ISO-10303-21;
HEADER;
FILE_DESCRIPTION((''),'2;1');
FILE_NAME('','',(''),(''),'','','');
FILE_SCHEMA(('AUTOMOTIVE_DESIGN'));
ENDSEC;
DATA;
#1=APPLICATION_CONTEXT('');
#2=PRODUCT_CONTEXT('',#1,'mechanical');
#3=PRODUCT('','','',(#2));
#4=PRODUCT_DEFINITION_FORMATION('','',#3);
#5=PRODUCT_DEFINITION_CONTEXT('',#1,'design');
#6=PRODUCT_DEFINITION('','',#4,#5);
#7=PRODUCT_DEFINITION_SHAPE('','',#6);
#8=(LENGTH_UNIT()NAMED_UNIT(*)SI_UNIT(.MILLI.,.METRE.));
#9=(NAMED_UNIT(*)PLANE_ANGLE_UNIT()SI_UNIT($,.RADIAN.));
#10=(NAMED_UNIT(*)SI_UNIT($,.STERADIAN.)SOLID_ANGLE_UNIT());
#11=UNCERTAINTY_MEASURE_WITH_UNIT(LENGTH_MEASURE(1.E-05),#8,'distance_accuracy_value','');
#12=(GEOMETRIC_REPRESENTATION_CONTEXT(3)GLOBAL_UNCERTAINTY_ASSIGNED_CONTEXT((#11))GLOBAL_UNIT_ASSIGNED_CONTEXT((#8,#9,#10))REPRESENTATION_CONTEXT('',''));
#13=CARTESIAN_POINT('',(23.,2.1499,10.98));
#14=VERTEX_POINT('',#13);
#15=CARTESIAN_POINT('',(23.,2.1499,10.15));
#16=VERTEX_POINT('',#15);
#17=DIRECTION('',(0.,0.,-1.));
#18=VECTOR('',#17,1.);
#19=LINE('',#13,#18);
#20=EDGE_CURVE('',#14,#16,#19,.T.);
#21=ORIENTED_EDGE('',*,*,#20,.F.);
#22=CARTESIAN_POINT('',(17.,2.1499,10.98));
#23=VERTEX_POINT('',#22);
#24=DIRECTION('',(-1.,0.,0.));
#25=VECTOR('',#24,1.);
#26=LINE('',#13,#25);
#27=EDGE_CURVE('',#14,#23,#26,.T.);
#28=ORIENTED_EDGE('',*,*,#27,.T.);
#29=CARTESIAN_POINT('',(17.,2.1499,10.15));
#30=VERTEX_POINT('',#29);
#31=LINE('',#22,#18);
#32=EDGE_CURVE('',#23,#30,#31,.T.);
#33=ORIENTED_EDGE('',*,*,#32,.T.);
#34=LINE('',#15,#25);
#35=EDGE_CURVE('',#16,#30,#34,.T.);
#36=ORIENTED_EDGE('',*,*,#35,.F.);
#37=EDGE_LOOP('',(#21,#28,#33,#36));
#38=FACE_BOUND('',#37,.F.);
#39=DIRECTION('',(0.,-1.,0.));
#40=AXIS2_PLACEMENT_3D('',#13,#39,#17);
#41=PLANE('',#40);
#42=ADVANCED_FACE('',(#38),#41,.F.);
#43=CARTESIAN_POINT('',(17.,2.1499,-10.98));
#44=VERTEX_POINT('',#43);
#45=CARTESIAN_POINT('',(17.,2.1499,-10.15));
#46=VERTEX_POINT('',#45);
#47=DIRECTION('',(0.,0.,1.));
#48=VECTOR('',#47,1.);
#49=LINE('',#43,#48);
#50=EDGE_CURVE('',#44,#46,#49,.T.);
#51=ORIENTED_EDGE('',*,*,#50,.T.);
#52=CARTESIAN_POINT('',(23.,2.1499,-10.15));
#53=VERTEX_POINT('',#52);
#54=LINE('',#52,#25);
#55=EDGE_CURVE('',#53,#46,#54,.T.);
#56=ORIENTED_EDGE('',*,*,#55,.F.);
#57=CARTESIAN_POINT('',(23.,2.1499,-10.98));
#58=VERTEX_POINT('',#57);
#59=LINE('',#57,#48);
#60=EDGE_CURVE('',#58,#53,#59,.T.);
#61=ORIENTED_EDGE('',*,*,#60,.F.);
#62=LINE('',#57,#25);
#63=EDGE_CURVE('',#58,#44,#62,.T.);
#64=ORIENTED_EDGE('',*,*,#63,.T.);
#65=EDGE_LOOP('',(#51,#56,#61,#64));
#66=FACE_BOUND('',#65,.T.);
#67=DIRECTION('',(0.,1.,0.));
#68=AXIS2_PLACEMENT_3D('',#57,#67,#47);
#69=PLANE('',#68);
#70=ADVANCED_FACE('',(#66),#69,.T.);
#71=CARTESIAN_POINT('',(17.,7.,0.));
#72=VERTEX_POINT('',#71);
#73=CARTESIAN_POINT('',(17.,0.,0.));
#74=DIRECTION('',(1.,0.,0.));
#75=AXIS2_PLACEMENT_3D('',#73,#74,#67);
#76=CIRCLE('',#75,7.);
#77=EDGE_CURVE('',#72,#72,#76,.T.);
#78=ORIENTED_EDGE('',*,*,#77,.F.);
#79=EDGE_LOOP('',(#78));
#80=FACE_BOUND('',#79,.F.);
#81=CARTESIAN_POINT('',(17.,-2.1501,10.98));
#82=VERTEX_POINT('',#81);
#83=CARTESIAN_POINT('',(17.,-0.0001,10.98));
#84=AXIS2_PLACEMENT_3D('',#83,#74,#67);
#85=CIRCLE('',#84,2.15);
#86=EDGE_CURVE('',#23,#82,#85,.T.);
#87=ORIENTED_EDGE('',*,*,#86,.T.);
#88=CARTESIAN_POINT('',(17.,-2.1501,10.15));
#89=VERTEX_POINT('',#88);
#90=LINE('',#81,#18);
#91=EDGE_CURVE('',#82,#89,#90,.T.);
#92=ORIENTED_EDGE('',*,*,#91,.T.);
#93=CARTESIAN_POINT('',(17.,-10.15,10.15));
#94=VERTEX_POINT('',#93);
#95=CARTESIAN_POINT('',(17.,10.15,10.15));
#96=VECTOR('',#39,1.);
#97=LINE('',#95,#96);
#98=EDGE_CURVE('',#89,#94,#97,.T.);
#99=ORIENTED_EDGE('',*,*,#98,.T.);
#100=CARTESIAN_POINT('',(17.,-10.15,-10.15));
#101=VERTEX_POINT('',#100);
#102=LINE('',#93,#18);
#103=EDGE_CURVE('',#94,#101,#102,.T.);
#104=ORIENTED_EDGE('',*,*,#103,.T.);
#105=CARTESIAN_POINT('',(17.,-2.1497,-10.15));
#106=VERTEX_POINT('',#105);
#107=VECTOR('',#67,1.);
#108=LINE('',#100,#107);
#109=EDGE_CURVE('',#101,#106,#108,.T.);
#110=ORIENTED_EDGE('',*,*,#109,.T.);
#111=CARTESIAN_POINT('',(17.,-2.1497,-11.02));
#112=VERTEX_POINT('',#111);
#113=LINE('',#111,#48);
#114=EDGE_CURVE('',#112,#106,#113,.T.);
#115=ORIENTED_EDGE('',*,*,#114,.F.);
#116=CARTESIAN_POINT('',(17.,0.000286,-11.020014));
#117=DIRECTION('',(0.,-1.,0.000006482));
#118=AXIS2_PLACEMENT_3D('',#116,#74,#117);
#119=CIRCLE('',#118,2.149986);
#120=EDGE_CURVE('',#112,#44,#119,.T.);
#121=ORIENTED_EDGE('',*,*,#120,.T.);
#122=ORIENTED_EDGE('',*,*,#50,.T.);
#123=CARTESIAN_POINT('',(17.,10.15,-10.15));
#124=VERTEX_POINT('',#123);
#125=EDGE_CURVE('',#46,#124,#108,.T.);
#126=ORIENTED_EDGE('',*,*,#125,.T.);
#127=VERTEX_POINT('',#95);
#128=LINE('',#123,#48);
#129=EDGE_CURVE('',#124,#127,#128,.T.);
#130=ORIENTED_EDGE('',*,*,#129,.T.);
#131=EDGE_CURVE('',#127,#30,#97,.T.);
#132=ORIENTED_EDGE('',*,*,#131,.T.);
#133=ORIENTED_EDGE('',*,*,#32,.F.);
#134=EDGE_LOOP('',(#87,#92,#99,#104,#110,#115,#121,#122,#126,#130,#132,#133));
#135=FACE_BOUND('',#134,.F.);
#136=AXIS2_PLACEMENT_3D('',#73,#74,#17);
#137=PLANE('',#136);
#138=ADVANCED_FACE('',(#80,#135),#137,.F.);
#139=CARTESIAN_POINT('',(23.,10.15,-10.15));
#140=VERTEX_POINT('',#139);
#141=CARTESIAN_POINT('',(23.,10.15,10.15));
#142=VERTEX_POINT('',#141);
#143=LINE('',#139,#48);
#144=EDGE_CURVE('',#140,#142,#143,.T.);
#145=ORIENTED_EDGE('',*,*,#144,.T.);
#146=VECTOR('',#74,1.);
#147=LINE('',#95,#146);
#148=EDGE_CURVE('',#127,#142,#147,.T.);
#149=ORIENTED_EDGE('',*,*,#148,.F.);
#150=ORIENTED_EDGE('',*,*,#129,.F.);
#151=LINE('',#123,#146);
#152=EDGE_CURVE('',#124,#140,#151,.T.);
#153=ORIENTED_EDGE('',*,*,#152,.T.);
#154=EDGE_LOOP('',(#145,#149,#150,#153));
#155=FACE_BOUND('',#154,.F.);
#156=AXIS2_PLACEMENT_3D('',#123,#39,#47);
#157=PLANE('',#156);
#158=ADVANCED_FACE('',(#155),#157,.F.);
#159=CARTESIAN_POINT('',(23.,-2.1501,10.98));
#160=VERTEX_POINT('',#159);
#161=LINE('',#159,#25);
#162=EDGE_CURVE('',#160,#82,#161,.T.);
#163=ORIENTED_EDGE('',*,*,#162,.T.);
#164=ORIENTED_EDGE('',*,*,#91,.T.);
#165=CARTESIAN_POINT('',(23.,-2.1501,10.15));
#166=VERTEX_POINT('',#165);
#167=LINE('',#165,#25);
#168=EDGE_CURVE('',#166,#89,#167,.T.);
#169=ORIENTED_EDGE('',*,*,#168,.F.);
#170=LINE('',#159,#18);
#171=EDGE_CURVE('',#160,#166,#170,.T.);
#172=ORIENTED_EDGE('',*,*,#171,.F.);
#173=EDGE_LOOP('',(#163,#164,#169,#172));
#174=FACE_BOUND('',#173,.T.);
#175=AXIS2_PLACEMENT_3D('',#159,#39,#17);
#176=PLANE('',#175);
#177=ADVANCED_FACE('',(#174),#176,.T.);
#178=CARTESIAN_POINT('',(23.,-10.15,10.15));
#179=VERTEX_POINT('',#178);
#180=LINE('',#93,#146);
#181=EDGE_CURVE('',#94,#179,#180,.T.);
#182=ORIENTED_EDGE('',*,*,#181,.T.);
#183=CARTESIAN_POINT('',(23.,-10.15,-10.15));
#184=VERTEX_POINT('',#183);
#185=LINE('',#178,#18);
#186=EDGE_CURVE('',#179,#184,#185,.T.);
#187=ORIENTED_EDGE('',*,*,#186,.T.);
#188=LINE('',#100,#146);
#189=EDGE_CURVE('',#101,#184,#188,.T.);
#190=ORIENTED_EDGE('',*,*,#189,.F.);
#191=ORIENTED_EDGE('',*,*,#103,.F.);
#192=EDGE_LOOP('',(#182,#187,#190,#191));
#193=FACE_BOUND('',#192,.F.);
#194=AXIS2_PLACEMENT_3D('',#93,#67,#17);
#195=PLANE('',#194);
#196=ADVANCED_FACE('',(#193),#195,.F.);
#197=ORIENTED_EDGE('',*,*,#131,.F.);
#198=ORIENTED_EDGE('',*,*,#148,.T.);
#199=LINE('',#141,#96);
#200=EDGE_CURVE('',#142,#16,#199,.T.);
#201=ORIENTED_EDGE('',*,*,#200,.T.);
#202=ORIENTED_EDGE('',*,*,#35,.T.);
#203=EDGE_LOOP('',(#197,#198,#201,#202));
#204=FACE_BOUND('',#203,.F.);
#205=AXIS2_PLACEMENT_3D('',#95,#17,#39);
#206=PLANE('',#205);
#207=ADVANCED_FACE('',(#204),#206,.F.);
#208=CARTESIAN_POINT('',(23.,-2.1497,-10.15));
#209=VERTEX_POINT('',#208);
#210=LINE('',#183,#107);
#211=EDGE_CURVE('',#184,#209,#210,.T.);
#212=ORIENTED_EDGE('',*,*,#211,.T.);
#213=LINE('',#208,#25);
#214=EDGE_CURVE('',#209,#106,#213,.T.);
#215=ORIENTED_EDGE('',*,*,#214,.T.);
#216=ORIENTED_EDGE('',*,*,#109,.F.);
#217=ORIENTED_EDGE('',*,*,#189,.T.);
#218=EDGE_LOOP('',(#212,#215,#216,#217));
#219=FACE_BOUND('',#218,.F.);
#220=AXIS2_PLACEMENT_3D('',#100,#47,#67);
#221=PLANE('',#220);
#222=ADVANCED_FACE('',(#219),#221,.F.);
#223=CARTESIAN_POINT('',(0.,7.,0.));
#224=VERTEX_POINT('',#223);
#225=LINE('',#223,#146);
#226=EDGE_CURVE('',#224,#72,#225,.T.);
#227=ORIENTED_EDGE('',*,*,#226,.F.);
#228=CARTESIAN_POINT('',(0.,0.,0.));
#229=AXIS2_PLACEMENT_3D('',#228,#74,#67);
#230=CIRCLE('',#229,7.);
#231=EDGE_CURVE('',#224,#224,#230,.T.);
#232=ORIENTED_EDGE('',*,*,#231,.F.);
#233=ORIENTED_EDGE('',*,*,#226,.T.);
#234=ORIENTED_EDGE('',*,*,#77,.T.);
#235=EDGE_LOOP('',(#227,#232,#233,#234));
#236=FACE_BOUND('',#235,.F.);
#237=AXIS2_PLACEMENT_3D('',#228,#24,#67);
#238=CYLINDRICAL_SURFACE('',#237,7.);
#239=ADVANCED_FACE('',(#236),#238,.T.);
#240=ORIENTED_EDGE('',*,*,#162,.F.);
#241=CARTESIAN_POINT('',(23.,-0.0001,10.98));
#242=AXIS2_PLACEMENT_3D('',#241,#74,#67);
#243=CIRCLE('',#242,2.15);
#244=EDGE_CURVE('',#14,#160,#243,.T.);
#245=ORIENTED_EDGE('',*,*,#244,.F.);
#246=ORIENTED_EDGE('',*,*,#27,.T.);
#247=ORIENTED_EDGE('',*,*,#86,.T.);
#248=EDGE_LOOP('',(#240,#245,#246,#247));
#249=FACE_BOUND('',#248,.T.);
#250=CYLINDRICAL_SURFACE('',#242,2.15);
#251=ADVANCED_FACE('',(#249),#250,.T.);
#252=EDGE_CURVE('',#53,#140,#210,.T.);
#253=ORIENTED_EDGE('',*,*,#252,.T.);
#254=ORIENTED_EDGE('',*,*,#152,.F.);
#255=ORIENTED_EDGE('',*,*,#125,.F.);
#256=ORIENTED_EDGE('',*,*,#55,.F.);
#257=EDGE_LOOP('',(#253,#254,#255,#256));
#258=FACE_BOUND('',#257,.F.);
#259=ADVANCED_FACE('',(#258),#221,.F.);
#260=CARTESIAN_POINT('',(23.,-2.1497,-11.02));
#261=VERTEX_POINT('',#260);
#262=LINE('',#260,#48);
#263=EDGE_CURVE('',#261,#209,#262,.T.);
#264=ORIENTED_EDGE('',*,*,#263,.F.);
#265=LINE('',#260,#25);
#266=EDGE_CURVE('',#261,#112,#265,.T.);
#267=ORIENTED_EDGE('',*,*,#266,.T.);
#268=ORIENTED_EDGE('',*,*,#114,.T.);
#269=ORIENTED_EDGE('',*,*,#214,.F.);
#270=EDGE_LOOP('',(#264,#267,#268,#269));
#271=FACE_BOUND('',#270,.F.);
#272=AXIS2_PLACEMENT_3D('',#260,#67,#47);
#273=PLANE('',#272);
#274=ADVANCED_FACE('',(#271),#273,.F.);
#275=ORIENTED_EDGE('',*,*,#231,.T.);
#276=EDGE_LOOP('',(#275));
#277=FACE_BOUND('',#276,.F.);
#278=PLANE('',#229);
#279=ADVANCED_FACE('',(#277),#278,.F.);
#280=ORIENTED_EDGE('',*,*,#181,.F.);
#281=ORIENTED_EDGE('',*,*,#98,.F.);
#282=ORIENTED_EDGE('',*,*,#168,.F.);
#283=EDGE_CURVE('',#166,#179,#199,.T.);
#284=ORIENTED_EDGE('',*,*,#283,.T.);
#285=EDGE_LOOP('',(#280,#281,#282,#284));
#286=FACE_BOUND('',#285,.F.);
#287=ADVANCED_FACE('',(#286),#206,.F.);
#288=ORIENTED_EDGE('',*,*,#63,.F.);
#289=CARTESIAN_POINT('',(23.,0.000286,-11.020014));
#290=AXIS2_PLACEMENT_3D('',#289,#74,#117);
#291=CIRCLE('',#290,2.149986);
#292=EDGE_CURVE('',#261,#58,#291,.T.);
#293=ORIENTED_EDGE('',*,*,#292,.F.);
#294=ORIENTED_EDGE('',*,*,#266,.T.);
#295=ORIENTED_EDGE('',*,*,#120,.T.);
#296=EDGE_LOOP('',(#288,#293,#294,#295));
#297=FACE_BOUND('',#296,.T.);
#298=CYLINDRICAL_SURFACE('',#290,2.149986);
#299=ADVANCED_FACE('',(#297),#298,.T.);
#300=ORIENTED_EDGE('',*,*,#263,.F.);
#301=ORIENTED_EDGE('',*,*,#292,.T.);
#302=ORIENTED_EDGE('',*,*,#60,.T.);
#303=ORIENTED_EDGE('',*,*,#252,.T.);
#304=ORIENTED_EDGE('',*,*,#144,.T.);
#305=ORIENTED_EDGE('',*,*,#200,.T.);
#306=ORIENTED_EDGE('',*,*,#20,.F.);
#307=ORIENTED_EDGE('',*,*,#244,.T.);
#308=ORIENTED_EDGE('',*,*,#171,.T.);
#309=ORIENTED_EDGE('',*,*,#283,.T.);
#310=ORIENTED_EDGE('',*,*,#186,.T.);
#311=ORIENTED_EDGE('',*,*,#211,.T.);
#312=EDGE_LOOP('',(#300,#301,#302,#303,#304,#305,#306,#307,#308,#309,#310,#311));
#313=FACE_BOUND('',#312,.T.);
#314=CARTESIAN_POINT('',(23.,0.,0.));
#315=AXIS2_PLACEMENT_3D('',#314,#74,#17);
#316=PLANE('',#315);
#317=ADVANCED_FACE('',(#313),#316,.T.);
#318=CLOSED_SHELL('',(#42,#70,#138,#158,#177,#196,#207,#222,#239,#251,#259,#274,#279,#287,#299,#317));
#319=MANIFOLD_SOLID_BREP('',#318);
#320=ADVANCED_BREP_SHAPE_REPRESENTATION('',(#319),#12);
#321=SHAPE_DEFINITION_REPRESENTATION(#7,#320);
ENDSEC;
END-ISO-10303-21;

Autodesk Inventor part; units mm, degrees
ref_plane "YZ Plane" through (0, 0, 0) normal (1, 0, 0) x (0, 1, 0)
ref_plane "XZ Plane" through (0, 0, 0) normal (0, 1, 0) x (-1, 0, 0)
ref_plane "XY Plane" through (0, 0, 0) normal (0, 0, 1) x (1, 0, 0)
sketch "Sketch1" plane through (0, 0, 0) normal (1, 0, 0) x (0, 1, 0)
  circle A0 centre (0, 0) radius 7
  dimension "d0" = 14
extrude "Extrusion1" add sketch "Sketch1" along normal blind 17
sketch "Sketch2" plane through (17, 0, 0) normal (1, 0, 0) x (0, 0, -1)
  line L0 (-10.15, -10.15) -> (10.15, -10.15)
  line L1 (10.15, -10.15) -> (10.15, 10.15)
  line L2 (10.15, 10.15) -> (-10.15, 10.15)
  line L3 (-10.15, 10.15) -> (-10.15, -10.15)
  line L4 (-10.15, -10.15) -> (10.15, 10.15) construction
  line L5 (10.15, -10.15) -> (-10.15, 10.15) construction
  point P0 (0, 0)
  dimension "d3" = 20.3
  dimension "d4" = 20.3
extrude "Extrusion2" add sketch "Sketch2" along normal blind 6
sketch "Sketch3" plane through (23, 0, 0) normal (1, 0, 0) x (0, 0, -1)
  arc A0 (-10.98, 2.1499) -> (-10.98, -2.1501) centre (-10.98, -0.0001) ccw
  arc A1 (11.02, -2.1497) -> (10.98, 2.1499) centre (11.02, 0.0003) ccw
  line L0 (10.15, -10.15) -> (10.15, 10.15) projected
  line L1 (-10.15, 10.15) -> (-10.15, -10.15) projected
  line L2 (-10.98, 2.1499) -> (-10.15, 2.1499)
  line L3 (-10.98, -2.1501) -> (-10.15, -2.1501)
  line L4 (10.98, 2.1499) -> (10.15, 2.1499)
  line L5 (11.02, -2.1497) -> (10.15, -2.1497)
  line L6 (-10.15, 2.1499) -> (-10.15, -2.1501)
  line L7 (10.15, 2.1499) -> (10.15, -2.1497)
  point P0 (0, 0)
  dimension "d7" = 4.3
  dimension "d8" = 4.3
  dimension "d13" = 22
extrude "Extrusion3" add sketch "Sketch3" against normal up to surface (6 mm away)
properties part number "camera_Fatshark_600TVL"
